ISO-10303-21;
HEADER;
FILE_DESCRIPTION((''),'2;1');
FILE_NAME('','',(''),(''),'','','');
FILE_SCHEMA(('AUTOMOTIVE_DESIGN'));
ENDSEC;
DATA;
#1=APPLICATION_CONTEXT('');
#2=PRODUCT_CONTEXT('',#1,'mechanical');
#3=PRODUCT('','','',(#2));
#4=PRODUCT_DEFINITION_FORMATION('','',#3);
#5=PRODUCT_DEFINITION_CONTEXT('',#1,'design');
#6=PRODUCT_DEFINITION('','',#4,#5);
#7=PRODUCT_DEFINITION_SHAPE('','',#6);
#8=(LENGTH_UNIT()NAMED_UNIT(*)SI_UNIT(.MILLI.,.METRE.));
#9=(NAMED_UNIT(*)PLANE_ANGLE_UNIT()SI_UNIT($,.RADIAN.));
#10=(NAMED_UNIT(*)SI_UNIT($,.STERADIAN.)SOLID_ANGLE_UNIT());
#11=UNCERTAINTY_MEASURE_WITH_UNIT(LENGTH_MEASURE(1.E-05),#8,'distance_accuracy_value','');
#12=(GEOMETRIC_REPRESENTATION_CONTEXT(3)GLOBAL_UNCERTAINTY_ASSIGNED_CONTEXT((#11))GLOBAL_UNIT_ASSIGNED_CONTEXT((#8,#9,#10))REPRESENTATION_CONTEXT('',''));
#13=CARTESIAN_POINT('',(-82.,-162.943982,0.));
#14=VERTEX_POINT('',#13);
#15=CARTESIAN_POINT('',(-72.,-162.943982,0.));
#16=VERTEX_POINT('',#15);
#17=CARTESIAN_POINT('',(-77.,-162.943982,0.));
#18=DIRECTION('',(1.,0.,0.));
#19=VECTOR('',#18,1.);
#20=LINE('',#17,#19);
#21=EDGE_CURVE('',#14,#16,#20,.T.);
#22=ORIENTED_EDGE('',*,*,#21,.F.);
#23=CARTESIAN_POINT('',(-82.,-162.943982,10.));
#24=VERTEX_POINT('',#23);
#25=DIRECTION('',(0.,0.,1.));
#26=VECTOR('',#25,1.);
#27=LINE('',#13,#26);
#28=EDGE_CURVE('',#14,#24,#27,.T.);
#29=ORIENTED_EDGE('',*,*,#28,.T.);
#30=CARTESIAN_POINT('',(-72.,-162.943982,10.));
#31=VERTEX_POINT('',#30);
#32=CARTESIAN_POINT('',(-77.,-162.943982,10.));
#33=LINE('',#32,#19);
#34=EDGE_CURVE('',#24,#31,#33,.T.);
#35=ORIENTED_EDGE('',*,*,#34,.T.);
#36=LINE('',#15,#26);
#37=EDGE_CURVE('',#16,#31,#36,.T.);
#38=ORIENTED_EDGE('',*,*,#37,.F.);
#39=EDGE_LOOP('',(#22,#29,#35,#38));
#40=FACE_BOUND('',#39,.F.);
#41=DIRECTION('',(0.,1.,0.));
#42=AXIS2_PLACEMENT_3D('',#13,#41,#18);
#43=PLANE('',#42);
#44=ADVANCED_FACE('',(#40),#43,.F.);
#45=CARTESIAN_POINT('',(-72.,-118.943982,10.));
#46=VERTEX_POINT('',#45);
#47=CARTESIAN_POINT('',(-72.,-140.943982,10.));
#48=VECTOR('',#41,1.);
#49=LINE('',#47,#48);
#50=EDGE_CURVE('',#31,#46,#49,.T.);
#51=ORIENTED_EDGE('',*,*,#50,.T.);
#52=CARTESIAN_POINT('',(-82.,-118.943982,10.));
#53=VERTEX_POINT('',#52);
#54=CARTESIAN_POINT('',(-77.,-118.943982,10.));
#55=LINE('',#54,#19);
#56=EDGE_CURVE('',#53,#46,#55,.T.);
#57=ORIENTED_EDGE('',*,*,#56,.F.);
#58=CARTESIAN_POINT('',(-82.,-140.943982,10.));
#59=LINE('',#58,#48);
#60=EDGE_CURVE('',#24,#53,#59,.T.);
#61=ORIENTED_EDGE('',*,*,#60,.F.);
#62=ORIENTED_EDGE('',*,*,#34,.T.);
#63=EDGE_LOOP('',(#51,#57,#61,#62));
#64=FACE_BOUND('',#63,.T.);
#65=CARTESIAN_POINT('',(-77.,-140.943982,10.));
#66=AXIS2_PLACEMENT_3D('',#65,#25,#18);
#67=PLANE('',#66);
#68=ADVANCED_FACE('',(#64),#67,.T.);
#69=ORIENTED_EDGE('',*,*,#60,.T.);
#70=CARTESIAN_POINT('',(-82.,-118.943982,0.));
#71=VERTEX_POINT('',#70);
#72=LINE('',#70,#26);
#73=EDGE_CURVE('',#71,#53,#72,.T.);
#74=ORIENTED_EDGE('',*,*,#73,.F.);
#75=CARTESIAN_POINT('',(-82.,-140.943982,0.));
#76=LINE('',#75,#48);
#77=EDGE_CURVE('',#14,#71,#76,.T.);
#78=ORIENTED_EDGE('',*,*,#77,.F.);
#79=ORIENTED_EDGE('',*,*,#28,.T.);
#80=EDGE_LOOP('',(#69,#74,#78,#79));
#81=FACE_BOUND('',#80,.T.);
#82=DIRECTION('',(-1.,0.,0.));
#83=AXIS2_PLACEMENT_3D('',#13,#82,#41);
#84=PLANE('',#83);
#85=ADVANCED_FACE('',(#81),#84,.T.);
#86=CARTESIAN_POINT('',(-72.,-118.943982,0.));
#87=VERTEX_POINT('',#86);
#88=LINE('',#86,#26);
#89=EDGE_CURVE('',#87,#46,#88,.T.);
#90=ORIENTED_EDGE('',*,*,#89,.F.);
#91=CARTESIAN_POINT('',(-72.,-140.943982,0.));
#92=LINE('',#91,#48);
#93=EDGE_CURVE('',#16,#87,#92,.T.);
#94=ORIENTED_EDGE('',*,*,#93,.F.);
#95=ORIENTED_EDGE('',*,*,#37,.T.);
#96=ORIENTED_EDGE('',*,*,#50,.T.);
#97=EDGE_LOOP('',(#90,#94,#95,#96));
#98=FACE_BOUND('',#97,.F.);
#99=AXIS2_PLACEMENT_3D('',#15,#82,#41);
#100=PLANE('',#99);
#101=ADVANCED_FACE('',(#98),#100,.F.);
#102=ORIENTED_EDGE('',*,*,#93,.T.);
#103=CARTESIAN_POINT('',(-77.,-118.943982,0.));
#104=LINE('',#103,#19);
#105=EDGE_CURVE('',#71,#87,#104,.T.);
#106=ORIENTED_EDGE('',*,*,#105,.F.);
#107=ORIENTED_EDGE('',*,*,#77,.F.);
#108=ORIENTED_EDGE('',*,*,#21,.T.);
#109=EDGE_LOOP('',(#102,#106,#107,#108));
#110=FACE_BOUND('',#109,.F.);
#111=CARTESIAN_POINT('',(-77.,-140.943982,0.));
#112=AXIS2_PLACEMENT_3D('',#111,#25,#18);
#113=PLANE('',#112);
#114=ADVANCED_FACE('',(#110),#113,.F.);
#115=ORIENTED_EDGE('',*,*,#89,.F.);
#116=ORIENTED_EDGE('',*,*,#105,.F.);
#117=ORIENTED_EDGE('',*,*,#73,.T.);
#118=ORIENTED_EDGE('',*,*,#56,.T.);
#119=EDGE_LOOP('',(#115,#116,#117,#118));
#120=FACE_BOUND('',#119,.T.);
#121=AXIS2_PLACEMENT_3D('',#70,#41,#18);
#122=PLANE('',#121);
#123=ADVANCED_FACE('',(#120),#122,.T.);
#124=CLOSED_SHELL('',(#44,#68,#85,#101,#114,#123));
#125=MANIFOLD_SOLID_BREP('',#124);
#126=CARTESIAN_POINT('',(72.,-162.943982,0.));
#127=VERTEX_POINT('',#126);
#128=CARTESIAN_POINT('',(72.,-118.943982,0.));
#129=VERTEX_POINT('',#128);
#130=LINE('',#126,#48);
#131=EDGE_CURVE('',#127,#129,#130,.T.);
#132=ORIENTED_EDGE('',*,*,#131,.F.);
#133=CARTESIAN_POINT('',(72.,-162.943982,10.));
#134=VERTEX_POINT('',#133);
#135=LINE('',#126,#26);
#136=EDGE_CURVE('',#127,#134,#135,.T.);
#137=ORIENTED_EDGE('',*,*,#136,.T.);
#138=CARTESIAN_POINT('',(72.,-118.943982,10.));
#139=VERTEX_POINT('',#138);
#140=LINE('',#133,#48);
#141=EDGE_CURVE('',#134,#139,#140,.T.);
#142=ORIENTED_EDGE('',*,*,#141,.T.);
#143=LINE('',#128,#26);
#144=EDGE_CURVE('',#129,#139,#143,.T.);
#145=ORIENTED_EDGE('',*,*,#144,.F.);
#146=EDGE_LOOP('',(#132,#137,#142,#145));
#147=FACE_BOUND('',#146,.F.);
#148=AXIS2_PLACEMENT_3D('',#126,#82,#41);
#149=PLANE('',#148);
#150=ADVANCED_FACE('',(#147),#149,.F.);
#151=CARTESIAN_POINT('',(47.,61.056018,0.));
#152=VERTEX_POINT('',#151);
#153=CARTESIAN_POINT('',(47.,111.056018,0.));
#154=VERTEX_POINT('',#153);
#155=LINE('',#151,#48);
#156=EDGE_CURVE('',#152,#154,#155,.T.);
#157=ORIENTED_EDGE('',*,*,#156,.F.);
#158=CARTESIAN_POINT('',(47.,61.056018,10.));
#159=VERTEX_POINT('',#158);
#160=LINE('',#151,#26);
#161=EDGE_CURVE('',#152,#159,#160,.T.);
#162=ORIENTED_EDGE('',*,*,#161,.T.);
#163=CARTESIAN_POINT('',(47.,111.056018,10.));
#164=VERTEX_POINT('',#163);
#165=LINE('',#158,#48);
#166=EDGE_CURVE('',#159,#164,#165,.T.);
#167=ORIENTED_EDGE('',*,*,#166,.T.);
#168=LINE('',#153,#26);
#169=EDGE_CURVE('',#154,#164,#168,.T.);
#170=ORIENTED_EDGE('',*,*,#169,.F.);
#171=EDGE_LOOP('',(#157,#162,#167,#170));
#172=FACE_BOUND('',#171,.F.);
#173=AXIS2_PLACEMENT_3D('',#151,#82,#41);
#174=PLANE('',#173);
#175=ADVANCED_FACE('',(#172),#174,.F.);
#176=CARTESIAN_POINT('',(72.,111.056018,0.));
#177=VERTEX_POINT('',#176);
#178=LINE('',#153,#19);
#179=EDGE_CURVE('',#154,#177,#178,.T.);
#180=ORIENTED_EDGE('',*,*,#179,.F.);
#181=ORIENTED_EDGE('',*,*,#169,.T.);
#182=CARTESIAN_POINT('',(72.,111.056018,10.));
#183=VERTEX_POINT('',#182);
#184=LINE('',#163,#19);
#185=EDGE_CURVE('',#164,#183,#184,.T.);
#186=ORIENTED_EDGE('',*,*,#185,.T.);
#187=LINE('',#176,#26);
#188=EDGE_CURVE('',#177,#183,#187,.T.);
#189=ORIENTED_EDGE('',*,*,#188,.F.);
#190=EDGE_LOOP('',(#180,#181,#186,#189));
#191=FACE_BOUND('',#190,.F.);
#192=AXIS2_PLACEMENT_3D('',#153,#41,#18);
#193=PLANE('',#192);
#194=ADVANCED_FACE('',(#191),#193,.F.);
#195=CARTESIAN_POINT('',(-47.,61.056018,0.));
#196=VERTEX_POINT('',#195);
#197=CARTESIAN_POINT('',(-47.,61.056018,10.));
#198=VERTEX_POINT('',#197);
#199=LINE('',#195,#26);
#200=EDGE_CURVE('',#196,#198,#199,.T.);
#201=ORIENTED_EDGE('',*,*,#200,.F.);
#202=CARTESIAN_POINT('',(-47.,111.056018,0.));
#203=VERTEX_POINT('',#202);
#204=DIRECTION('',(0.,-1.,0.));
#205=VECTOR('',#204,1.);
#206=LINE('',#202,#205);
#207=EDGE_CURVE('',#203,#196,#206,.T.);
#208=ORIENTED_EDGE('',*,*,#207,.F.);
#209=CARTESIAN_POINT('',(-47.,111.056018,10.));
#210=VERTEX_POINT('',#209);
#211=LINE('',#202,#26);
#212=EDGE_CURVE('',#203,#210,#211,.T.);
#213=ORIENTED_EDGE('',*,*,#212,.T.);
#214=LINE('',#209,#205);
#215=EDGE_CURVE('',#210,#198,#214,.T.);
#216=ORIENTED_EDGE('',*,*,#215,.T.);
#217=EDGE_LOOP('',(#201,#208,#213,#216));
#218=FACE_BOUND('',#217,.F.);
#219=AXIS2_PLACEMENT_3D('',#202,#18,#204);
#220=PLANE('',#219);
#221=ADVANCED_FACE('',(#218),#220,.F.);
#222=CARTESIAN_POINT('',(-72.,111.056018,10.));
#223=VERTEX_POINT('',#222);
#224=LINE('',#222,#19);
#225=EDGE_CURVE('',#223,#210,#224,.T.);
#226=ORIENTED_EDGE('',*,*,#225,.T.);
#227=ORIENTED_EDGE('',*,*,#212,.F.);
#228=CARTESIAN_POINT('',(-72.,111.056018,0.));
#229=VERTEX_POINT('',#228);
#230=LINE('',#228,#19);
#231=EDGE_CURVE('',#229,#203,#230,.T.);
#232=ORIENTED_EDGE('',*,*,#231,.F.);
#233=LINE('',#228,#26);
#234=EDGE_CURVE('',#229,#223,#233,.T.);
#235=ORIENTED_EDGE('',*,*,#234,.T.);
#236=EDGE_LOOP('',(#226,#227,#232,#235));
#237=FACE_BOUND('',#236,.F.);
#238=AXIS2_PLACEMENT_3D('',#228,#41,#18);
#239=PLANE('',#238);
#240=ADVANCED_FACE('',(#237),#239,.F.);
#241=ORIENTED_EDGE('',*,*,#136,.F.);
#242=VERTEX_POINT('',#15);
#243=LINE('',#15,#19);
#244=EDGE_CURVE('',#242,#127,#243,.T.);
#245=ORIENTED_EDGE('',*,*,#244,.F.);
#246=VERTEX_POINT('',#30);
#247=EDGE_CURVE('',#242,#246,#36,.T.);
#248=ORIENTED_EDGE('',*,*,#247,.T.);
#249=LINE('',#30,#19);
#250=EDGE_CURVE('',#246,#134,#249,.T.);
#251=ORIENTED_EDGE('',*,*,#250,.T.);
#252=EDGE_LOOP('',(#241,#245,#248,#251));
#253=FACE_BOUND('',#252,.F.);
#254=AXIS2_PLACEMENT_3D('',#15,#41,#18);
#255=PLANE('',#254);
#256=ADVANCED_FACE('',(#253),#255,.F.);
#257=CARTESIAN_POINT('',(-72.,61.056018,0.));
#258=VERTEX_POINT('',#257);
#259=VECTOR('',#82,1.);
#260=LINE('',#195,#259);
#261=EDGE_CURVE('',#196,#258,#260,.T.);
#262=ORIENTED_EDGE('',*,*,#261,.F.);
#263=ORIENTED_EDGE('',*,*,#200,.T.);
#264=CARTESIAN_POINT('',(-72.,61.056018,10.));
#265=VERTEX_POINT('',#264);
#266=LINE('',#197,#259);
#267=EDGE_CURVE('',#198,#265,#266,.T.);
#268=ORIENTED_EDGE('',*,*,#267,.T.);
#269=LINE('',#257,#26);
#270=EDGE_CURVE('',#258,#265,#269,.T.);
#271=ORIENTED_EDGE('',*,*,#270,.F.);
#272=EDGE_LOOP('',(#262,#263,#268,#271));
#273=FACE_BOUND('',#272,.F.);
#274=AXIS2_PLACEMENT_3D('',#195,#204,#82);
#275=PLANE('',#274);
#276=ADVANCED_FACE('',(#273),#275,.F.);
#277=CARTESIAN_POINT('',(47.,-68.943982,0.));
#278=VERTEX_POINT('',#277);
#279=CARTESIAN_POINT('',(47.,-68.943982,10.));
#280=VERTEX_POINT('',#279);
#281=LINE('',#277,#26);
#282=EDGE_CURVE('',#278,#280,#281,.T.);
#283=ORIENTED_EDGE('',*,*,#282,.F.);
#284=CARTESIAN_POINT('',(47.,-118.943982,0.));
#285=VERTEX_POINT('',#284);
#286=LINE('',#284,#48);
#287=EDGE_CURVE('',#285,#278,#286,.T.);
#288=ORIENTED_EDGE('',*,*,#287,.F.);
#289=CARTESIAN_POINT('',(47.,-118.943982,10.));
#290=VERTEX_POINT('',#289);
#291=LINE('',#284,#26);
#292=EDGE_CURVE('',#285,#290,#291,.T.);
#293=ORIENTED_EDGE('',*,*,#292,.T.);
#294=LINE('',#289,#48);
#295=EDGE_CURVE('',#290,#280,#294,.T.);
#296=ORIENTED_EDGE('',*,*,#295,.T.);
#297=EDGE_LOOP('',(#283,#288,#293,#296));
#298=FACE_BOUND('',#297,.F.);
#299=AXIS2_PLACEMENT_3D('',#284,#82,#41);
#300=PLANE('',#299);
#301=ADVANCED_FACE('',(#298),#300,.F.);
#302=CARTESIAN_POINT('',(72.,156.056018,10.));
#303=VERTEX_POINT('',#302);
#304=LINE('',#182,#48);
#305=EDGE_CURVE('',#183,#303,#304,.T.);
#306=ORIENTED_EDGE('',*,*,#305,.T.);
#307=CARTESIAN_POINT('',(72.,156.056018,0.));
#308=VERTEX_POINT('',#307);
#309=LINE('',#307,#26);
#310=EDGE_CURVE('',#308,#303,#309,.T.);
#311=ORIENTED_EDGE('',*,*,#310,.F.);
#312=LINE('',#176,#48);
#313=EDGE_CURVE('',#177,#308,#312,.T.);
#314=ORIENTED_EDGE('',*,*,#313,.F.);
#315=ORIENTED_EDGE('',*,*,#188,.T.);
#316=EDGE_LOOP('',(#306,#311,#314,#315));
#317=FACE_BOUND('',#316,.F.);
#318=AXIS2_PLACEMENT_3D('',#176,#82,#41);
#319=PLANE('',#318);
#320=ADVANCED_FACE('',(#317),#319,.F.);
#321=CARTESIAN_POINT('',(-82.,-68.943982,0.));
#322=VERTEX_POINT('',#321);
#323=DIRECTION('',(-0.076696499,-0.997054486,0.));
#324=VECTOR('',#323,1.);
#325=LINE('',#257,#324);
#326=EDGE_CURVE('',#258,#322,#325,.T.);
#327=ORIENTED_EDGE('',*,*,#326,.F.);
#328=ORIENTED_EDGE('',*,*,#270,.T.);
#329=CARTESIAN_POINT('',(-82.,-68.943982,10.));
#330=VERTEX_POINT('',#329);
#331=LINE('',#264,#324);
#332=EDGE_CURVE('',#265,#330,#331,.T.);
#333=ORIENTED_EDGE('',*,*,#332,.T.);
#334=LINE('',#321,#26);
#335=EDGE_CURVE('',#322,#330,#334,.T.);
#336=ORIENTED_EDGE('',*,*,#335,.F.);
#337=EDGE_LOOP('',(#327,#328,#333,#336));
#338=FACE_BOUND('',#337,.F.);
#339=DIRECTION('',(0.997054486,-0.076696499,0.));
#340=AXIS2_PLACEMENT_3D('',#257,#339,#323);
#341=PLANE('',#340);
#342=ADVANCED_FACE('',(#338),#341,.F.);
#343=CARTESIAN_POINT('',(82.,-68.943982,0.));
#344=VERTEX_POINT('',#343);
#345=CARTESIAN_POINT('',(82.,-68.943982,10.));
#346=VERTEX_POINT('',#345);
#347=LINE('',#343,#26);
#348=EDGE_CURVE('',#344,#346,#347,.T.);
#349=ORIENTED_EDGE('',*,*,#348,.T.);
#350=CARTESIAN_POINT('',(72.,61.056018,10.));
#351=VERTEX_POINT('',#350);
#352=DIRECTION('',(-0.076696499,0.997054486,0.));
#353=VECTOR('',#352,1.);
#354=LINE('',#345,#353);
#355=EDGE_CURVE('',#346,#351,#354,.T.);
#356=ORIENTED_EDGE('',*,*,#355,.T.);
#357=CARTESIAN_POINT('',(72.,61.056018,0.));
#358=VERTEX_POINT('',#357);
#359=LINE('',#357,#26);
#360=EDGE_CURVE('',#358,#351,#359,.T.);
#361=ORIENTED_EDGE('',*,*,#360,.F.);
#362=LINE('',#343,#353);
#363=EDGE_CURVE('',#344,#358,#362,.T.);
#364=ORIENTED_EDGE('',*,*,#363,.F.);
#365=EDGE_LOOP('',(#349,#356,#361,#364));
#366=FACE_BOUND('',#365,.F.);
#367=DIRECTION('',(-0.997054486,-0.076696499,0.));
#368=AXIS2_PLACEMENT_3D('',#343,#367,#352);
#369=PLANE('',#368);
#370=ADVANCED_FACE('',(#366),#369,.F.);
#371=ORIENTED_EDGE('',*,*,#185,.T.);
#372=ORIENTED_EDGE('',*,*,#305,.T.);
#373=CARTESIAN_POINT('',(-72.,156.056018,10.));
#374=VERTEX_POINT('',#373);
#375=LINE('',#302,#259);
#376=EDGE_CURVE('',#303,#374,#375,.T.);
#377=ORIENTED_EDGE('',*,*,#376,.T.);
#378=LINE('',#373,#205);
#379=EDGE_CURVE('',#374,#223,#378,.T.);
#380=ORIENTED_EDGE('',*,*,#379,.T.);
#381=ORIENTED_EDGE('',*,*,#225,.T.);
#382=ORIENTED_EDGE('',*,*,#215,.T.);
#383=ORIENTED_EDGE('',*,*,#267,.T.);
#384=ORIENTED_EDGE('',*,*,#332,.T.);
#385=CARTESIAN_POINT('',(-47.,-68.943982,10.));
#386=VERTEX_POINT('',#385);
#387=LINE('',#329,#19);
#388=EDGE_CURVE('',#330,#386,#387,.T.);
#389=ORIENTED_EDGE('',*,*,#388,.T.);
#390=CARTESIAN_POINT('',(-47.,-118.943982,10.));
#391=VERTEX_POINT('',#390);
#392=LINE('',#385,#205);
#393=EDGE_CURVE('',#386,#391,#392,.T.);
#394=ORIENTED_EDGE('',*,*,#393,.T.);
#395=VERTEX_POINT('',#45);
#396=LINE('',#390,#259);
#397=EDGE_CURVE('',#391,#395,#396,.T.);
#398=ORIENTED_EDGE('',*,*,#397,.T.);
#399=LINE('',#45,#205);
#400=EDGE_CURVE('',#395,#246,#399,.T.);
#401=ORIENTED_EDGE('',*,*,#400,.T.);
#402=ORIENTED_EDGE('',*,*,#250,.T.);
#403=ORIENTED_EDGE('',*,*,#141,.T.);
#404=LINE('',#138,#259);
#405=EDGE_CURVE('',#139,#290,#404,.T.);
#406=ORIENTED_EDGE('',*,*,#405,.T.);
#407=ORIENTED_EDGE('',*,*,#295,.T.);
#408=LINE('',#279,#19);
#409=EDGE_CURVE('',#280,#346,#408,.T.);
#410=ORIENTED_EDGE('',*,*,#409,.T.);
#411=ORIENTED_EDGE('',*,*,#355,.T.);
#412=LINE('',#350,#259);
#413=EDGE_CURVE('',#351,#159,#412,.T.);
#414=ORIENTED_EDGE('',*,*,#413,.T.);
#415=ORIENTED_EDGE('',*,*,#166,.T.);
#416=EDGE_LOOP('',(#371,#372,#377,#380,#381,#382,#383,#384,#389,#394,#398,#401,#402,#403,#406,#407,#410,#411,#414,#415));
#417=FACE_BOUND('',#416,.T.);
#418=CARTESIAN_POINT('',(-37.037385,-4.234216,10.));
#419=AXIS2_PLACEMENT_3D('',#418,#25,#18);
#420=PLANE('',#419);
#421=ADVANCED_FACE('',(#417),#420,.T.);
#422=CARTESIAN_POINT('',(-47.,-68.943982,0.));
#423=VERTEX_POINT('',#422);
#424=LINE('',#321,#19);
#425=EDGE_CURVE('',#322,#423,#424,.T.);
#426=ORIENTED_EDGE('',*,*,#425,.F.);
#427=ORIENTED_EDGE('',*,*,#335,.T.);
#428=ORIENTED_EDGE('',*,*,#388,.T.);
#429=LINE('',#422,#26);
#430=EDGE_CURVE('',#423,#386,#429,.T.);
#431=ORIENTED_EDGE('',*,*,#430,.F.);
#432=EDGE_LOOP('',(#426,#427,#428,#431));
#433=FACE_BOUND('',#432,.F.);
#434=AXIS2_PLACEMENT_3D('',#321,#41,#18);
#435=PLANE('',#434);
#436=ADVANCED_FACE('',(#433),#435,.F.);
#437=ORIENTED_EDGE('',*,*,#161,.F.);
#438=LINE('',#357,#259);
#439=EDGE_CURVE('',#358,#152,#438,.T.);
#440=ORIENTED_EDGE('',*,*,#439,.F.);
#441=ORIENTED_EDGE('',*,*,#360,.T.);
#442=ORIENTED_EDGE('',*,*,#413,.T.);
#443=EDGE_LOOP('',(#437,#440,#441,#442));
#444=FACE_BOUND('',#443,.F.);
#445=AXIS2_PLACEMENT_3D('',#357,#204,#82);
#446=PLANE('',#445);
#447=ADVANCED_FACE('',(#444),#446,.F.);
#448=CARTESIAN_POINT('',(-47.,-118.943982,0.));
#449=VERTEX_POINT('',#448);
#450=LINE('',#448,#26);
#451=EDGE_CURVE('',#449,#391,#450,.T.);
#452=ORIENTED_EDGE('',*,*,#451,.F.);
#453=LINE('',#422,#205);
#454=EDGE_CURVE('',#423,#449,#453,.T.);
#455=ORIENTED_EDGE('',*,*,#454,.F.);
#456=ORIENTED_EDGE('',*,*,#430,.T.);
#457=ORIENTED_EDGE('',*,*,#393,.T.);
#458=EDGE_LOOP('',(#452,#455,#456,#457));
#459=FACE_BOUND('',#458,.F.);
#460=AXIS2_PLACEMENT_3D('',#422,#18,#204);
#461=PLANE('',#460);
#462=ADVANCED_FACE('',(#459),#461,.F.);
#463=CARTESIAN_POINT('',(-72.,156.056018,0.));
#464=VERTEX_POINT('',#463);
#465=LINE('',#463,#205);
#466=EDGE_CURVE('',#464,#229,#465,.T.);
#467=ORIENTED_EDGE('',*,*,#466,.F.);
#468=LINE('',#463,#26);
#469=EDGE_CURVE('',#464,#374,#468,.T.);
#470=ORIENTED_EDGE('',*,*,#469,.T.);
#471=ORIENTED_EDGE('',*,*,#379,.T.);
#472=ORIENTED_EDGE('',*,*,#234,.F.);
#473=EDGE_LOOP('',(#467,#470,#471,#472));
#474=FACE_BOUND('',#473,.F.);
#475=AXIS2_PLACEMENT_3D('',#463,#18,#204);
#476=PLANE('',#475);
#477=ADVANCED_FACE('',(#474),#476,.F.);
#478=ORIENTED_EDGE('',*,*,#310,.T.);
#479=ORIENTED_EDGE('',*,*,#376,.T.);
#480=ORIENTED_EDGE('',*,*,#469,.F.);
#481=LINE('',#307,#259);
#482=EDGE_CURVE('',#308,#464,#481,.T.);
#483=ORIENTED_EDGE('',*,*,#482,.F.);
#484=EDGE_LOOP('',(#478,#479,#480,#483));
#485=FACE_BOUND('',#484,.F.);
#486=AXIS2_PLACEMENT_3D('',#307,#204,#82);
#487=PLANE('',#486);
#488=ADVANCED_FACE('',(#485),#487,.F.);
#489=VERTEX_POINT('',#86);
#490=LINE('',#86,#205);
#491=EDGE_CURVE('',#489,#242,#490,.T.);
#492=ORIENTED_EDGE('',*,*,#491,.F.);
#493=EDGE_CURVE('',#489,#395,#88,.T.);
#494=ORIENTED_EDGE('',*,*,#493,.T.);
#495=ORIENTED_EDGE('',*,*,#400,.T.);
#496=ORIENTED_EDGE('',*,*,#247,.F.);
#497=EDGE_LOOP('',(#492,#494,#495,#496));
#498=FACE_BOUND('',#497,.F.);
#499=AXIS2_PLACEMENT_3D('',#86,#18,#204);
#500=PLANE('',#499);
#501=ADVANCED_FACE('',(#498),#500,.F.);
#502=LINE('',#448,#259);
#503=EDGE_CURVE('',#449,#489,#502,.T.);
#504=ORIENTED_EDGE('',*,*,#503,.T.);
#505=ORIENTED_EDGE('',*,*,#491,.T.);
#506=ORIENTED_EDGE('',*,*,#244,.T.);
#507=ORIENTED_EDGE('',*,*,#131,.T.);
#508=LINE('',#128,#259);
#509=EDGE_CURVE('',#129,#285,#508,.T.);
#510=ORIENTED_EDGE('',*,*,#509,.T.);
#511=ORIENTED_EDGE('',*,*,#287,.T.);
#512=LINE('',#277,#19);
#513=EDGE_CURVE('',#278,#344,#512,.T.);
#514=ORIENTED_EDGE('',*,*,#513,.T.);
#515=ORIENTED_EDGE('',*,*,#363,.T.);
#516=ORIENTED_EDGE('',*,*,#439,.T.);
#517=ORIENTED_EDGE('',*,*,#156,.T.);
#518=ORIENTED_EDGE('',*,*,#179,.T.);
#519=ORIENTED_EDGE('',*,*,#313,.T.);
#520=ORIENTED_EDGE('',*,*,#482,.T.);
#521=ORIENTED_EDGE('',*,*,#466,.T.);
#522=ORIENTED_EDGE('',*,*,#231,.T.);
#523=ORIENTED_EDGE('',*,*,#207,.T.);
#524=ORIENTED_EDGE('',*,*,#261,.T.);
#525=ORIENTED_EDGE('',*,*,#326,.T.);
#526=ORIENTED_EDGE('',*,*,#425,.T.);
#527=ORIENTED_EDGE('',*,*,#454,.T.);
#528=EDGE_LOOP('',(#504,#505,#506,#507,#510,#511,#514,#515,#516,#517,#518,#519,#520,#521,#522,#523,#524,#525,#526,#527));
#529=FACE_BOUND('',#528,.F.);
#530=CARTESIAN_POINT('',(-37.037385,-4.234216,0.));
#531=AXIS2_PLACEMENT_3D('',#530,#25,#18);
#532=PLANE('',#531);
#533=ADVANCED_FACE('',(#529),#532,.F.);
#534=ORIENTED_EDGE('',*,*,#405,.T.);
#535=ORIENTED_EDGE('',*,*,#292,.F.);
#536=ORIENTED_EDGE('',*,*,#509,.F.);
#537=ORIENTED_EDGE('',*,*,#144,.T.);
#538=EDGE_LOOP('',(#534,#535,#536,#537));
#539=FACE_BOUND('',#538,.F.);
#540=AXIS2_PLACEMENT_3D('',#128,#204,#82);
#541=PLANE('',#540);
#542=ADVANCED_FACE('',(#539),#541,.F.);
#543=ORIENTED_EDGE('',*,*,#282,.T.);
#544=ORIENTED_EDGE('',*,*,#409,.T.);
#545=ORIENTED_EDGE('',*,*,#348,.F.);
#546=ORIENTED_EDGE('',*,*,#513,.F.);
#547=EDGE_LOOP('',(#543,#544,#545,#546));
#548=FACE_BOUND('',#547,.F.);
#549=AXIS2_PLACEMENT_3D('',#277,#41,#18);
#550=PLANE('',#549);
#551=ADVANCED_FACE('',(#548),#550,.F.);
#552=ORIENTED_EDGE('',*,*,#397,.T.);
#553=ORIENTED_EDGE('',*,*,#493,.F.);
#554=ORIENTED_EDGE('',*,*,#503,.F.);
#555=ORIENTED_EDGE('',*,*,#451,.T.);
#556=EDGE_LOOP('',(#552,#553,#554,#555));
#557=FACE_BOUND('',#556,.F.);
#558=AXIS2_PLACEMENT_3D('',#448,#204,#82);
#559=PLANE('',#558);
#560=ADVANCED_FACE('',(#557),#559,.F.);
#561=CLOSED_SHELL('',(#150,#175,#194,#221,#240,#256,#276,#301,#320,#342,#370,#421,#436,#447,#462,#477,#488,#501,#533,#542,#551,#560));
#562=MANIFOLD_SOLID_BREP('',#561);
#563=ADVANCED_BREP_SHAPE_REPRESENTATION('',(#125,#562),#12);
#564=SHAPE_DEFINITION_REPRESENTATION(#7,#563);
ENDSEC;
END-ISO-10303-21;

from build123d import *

# Parameters (mm, degrees)
F2_DEPTH = 10
F1_W     = 10
F1_H     = 44


with BuildPart() as f2:
    # F0 (on Top) → F2 (new body)
    with BuildSketch(Plane.XY):
        Polygon((0, 156.0560178757), (-72, 156.0560178757), (-72, 111.0560178757), (-47, 111.0560178757), (-47, 61.0560178757), (-72, 61.0560178757), (-82, -68.9439821243), (-72, -68.9439821243), (-47, -68.9439821243), (-47, -118.9439821243), (-72, -118.9439821243), (-72, -162.9439821243), (0, -162.9439821243), align=None)
        Polygon((72, 156.0560178757), (0, 156.0560178757), (0, -162.9439821243), (72, -162.9439821243), (72, -118.9439821243), (47, -118.9439821243), (47, -68.9439821243), (72, -68.9439821243), (82, -68.9439821243), (72, 61.0560178757), (47, 61.0560178757), (47, 111.0560178757), (72, 111.0560178757), align=None)
    extrude(amount=F2_DEPTH)


with BuildPart() as f2b:
    # F1 (on face) → F2, piece 2 (new body)
    with BuildSketch(Plane.XY):
        with Locations((-77, -140.9439821243)):
            Rectangle(F1_W, F1_H)
    extrude(amount=F2_DEPTH)


solid = Compound([f2.part, f2b.part])
